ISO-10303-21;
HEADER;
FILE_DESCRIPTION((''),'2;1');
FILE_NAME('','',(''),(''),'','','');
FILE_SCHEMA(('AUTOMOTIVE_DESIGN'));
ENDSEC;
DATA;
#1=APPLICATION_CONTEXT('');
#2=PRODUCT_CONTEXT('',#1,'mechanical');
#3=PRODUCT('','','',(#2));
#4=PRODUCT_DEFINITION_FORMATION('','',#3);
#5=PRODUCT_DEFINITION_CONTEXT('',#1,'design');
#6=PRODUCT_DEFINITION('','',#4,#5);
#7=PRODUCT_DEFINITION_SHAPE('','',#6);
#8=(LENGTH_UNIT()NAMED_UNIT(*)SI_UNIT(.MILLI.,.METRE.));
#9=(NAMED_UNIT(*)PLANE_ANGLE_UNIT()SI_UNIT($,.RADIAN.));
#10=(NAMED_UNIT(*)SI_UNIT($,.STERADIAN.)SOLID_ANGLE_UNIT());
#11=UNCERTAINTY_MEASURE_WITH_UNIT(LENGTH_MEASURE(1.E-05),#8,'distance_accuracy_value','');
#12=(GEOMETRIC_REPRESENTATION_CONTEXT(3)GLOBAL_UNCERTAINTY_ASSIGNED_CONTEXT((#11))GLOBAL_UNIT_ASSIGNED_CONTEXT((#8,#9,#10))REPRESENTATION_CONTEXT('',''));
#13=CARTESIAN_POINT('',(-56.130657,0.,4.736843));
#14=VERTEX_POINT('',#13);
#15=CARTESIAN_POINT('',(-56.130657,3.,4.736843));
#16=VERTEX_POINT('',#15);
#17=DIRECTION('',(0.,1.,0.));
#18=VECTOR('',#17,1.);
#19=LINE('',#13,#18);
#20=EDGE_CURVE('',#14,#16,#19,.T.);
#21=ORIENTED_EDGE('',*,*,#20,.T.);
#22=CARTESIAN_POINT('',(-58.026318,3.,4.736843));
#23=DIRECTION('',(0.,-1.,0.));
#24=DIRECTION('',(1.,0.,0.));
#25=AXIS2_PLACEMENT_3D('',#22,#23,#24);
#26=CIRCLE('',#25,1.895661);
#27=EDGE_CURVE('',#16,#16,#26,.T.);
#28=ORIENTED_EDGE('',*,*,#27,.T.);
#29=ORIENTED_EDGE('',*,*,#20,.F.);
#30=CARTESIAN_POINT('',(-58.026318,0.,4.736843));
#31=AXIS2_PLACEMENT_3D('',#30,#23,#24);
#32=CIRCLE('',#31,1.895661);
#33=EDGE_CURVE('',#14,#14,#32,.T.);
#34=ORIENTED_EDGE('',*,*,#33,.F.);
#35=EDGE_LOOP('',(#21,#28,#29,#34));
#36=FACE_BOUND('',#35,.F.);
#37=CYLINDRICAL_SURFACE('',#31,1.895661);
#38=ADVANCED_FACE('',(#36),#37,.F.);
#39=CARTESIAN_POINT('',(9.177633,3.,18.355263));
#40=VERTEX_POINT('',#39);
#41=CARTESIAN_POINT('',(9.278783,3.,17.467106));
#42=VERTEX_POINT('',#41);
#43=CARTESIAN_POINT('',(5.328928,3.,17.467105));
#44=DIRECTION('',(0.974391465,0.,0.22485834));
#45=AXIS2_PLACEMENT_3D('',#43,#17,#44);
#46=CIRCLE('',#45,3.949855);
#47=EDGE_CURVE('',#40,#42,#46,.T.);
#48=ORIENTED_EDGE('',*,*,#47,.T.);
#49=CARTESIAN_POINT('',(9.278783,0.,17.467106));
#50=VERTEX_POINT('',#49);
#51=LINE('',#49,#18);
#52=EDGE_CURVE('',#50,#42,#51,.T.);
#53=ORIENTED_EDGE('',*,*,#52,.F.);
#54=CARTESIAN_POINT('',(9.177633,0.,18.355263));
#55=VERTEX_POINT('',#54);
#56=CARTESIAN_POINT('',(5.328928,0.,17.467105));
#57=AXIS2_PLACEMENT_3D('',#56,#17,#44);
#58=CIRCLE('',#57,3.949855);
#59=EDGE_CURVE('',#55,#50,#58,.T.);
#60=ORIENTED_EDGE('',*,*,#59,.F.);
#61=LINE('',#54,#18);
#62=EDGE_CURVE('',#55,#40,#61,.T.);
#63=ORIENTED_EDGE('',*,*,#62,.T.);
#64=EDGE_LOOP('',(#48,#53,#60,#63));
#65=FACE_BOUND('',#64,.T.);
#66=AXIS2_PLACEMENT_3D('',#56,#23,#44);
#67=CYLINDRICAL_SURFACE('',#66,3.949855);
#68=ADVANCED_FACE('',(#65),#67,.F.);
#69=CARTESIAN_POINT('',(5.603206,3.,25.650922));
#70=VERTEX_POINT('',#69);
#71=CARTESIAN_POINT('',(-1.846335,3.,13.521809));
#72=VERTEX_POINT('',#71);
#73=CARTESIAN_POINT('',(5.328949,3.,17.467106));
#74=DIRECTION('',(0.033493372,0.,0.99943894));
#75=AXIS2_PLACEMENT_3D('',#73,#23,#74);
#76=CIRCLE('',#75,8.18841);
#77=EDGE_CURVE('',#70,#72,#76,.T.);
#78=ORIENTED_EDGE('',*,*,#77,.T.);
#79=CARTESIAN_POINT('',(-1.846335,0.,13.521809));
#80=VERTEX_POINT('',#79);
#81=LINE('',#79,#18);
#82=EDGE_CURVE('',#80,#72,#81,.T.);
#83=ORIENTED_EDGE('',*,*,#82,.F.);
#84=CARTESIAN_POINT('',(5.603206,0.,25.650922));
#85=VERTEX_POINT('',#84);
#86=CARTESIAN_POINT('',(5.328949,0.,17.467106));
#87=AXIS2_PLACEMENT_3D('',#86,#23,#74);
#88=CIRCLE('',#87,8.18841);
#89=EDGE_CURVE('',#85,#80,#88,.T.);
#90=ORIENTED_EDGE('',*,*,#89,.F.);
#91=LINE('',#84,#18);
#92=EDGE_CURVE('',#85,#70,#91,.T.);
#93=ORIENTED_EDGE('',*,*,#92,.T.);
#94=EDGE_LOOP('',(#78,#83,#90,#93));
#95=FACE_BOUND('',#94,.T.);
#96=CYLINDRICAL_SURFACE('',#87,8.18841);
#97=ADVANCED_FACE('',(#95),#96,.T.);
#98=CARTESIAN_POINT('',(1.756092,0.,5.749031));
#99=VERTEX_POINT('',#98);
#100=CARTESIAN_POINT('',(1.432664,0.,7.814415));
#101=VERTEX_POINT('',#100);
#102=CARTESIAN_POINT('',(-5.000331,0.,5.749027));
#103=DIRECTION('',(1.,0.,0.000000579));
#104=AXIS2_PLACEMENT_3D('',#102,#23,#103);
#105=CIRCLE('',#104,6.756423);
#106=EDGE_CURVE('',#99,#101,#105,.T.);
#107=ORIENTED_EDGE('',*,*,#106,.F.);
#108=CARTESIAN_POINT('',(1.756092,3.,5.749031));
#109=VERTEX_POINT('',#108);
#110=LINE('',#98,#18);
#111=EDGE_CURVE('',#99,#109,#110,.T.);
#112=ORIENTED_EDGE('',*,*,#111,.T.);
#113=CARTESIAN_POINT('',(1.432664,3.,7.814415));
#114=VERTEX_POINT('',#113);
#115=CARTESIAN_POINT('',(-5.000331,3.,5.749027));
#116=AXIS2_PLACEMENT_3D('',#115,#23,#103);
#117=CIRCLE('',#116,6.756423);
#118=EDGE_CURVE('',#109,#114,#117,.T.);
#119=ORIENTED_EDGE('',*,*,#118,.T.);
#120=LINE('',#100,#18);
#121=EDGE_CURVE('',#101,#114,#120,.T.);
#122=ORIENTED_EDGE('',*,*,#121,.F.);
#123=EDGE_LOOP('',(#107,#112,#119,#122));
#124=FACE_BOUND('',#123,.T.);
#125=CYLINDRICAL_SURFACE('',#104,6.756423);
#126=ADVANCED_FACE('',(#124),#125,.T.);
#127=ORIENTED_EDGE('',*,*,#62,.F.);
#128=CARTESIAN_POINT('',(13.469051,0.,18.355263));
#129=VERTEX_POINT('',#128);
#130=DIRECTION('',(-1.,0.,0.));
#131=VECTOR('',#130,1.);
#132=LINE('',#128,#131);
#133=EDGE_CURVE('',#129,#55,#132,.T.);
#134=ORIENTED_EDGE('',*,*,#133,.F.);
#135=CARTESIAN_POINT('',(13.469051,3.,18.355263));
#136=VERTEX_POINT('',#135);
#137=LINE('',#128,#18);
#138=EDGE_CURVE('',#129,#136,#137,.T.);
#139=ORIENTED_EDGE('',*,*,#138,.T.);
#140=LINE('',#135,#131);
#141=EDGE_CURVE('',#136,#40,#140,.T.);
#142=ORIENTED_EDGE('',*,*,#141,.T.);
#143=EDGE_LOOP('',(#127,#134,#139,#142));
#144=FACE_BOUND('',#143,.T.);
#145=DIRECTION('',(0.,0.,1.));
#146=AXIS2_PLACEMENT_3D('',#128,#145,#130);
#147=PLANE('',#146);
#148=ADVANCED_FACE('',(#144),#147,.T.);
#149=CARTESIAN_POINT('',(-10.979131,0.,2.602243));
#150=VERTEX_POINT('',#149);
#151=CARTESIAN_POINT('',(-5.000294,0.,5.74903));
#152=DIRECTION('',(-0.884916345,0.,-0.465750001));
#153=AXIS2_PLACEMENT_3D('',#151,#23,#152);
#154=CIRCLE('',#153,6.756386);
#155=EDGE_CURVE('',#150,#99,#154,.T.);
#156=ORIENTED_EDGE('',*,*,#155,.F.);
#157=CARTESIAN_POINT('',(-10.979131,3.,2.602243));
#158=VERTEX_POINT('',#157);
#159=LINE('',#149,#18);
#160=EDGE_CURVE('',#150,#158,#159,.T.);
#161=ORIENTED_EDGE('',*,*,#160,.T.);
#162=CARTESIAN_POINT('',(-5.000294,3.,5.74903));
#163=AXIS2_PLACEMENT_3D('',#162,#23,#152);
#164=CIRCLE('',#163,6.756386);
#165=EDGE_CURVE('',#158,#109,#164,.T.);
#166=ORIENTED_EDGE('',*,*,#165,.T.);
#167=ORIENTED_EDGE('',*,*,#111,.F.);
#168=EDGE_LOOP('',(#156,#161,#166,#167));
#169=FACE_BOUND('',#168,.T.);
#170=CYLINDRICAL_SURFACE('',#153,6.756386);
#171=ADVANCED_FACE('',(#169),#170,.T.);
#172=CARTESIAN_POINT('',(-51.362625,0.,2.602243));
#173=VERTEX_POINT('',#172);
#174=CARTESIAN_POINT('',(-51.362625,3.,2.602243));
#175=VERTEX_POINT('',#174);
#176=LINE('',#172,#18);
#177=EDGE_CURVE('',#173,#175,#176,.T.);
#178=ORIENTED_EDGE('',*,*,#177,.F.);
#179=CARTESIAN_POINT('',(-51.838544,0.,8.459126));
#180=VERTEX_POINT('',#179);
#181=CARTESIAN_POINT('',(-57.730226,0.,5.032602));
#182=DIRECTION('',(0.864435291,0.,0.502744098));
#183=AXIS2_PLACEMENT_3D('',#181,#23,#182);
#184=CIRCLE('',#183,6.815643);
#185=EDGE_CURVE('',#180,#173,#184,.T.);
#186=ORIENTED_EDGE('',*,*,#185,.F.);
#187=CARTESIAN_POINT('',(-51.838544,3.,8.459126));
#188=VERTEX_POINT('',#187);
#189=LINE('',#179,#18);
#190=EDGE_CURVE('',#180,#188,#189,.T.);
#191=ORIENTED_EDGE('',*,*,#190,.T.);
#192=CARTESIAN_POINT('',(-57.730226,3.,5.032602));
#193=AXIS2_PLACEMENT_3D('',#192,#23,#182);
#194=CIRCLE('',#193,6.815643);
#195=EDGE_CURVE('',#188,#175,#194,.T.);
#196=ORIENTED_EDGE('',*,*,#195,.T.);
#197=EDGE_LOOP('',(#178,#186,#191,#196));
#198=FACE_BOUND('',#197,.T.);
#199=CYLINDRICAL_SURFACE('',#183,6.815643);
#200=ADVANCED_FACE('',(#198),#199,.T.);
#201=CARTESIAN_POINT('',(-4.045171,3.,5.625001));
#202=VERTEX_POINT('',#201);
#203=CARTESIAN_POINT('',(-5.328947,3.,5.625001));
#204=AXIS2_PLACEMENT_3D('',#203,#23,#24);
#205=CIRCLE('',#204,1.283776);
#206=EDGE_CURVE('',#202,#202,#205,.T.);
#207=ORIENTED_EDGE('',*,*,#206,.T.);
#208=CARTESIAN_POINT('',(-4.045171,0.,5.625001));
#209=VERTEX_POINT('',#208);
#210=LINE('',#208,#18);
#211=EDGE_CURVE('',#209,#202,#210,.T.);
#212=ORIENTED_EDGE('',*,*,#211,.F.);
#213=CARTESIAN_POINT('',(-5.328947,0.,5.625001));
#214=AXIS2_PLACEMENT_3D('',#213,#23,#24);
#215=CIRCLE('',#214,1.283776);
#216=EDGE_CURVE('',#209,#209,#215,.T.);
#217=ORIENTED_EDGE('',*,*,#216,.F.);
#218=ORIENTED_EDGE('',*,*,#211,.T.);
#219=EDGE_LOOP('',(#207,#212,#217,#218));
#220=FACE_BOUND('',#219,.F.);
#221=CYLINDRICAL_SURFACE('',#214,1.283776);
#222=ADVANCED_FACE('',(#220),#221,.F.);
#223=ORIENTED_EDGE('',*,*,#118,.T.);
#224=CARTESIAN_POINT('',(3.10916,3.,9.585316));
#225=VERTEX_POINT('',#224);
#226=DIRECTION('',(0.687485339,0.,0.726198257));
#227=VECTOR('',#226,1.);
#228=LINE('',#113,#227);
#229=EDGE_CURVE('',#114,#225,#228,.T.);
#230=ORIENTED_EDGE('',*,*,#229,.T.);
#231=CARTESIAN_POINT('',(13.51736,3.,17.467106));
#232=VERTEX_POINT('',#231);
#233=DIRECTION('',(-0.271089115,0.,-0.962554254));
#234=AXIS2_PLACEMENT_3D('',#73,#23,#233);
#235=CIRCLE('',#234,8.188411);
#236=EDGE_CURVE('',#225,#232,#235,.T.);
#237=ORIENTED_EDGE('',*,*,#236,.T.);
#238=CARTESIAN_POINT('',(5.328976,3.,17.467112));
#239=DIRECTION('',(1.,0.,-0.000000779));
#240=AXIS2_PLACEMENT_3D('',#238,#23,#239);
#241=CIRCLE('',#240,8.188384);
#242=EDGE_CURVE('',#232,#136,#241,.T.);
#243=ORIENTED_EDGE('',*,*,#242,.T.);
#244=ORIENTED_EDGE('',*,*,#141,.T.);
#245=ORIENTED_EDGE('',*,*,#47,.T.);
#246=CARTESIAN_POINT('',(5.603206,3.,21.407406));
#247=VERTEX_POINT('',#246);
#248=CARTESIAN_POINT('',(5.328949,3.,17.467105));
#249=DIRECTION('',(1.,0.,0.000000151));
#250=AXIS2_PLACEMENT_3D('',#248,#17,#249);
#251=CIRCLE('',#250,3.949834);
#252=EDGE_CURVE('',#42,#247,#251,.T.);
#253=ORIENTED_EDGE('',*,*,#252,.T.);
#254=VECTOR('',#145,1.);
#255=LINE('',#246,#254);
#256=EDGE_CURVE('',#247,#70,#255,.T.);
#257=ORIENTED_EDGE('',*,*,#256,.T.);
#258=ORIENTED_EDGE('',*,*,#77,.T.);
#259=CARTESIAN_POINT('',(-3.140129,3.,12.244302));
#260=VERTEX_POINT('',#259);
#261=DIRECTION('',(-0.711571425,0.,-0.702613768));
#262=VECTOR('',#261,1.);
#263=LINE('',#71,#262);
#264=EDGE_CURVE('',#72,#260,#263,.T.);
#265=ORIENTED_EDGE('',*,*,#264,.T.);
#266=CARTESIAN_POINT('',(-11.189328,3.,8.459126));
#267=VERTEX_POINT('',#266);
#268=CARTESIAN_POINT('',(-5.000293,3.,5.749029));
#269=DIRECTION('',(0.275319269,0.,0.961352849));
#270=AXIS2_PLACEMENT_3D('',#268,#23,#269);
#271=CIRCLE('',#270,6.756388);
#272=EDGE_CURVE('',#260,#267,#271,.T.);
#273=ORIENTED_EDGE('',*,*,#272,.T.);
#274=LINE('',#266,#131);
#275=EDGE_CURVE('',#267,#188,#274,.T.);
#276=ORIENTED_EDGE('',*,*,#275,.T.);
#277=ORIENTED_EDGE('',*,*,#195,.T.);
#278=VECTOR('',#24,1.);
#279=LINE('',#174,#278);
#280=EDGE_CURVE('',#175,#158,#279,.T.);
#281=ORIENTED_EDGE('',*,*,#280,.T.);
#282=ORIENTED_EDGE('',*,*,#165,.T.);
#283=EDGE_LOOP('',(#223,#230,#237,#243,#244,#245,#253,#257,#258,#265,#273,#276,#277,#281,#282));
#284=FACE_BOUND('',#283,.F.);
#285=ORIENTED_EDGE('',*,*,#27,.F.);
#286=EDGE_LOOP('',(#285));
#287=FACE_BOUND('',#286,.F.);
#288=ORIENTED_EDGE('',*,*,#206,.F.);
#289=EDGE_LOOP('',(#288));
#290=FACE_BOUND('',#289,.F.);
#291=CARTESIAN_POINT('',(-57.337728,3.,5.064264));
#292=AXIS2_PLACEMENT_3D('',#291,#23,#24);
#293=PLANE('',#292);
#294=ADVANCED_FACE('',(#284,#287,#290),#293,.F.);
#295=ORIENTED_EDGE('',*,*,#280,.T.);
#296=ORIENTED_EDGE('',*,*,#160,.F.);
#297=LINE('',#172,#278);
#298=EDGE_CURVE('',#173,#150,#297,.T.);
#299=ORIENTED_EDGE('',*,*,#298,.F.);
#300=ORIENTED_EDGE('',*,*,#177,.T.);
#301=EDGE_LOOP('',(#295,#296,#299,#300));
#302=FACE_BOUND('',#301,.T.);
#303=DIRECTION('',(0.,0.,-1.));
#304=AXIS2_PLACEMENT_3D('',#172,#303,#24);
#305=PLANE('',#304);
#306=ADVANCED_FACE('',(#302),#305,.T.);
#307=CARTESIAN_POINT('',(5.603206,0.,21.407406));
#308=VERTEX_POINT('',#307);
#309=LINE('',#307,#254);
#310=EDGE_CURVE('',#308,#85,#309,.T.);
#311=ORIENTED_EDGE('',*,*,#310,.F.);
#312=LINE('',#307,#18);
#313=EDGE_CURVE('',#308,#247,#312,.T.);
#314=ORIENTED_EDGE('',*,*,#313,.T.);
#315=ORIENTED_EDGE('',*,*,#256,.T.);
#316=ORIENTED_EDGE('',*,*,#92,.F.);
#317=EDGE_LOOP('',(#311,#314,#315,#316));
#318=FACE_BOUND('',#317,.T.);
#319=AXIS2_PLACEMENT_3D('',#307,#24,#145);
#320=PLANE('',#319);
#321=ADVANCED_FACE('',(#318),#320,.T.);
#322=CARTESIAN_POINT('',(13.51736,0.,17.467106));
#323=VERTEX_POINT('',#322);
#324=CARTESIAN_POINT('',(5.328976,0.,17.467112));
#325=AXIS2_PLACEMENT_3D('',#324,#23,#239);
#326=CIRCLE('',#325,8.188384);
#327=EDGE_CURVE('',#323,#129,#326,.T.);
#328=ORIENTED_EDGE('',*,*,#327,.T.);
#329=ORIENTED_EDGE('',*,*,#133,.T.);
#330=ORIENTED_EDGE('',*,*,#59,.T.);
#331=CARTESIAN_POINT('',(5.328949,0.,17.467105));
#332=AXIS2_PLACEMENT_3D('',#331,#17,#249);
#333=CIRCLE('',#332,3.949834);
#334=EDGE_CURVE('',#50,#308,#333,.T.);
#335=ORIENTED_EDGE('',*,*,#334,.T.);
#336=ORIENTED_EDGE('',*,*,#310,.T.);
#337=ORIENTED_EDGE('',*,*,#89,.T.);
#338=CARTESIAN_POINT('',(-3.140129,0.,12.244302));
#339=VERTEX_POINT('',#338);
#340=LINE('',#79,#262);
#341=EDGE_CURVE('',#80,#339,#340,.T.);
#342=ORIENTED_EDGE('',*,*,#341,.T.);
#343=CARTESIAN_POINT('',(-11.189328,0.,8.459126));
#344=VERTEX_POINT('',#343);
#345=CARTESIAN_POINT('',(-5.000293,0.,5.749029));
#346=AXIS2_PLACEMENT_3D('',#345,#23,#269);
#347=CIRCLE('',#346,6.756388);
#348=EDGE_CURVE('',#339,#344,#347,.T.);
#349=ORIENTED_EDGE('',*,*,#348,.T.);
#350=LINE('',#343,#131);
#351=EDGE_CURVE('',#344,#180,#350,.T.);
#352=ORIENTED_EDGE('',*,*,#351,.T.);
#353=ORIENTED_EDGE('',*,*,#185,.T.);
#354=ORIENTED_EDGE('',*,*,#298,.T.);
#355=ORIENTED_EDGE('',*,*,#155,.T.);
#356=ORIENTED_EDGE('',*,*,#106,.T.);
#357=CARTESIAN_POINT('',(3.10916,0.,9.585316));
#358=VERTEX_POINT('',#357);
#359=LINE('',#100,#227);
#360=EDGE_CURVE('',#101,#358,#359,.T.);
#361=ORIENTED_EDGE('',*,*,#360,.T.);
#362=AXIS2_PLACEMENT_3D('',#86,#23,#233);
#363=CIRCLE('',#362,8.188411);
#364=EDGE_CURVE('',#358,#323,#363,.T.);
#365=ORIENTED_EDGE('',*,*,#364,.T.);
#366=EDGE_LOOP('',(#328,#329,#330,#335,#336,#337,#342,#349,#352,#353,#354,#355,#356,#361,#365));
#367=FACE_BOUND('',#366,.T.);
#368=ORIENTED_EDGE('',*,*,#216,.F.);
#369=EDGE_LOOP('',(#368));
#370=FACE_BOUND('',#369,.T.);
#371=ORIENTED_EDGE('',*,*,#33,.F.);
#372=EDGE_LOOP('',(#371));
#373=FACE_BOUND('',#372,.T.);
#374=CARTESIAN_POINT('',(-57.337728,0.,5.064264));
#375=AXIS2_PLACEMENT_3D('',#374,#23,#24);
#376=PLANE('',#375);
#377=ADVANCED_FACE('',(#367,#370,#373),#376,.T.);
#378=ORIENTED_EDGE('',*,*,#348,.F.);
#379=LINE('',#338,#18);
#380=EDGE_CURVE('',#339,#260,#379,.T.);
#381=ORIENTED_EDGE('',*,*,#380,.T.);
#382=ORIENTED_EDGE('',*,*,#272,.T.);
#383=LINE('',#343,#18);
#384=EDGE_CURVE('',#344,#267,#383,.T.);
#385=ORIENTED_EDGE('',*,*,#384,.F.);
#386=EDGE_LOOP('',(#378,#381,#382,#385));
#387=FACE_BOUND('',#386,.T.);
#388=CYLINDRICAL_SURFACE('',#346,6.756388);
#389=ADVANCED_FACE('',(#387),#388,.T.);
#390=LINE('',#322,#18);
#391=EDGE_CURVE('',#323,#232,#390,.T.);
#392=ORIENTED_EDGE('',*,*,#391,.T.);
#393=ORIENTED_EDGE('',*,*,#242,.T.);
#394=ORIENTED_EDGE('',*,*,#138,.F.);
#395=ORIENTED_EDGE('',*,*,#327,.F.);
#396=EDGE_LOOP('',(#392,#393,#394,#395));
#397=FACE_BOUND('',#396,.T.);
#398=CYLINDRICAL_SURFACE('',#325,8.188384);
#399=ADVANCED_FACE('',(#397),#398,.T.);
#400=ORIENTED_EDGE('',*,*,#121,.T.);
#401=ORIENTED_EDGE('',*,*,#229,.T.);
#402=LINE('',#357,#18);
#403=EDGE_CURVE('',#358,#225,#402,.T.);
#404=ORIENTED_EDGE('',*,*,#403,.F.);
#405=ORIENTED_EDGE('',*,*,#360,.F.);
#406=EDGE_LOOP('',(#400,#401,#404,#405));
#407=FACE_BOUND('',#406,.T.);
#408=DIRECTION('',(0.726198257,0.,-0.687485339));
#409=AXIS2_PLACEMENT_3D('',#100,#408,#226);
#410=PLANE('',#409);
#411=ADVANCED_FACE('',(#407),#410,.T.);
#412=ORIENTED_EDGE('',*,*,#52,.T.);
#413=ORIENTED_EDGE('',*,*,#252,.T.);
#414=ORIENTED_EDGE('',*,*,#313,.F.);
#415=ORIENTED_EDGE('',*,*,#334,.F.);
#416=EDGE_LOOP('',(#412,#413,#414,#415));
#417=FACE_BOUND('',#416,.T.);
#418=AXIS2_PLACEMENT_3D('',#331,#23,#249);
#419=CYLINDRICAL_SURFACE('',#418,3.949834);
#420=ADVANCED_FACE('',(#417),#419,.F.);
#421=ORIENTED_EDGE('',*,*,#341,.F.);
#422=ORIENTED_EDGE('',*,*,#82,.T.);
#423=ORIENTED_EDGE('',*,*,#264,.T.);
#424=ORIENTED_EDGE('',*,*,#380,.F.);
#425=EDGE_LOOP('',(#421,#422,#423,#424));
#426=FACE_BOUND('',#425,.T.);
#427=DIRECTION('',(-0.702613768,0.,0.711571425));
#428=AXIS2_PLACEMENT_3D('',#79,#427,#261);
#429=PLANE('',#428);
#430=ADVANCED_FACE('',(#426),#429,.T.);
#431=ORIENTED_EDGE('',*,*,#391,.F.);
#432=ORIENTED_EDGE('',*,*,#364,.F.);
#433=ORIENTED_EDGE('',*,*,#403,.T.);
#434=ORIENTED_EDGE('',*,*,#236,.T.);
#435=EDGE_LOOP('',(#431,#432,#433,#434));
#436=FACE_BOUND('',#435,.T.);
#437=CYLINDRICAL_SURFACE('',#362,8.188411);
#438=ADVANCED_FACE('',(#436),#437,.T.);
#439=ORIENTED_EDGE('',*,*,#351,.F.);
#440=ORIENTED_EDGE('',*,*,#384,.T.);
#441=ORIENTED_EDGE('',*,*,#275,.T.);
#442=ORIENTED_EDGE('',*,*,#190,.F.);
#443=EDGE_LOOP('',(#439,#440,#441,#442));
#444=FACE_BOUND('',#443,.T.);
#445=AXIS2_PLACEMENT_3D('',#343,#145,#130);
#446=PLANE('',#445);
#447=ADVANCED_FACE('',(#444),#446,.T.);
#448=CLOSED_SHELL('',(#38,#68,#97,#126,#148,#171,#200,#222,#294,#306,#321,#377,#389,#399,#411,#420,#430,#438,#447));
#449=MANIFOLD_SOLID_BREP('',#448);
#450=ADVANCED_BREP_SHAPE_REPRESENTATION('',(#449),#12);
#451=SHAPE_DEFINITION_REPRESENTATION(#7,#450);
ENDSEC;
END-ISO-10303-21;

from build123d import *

# Parameters (mm, degrees)
F1_DEPTH = 3
F2_R     = 1.283776
F2_R_2   = 1.895661
F3_DEPTH = 25


with BuildPart() as f1:
    # F0 (on Front) → F1 (new body)
    with BuildSketch(Plane.XZ):
        with BuildLine():
            ThreePointArc((-51.838544, 8.459126), (-64.523479, 4.480595), (-51.362625, 2.602243))
            ThreePointArc((-51.362625, 2.602243), (-51.02753, 3.796946), (-50.914583, 5.032602))
            ThreePointArc((-50.914583, 5.032602), (-51.149626, 6.807057), (-51.838544, 8.459126))
        make_face()
        with BuildLine():
            ThreePointArc((-10.979131, 2.602243), (-3.37958, -0.810089), (1.756092, 5.749031))
            ThreePointArc((1.756092, 5.749031), (1.674745, 6.794308), (1.432664, 7.814415))
            ThreePointArc((1.432664, 7.814415), (-0.299236, 10.601743), (-3.140129, 12.244302))
            ThreePointArc((-3.140129, 12.244302), (-7.875475, 11.86312), (-11.189328, 8.459126))
            ThreePointArc((-11.189328, 8.459126), (-11.752334, 5.506707), (-10.979131, 2.602243))
        make_face()
        with BuildLine():
            Line((-51.362625, 2.602243), (-10.979131, 2.602243))
            ThreePointArc((-10.979131, 2.602243), (-11.752334, 5.506707), (-11.189328, 8.459126))
            Line((-11.189328, 8.459126), (-51.838544, 8.459126))
            ThreePointArc((-51.838544, 8.459126), (-51.149626, 6.807057), (-50.914583, 5.032602))
            ThreePointArc((-50.914583, 5.032602), (-51.02753, 3.796946), (-51.362625, 2.602243))
        make_face()
        with BuildLine():
            ThreePointArc((-3.140129, 12.244302), (-0.299236, 10.601743), (1.432664, 7.814415))
            Line((1.432664, 7.814415), (3.10916, 9.585316))
            ThreePointArc((3.10916, 9.585316), (0.235734, 11.055458), (-1.846335, 13.521809))
            Line((-1.846335, 13.521809), (-3.140129, 12.244302))
        make_face()
        with BuildLine():
            ThreePointArc((-1.846335, 13.521809), (0.235734, 11.055458), (3.10916, 9.585316))
            ThreePointArc((3.10916, 9.585316), (10.272305, 10.939219), (13.51736, 17.467106))
            ThreePointArc((13.51736, 17.467106), (13.505274, 17.911841), (13.469051, 18.355263))
            Line((13.469051, 18.355263), (9.177633, 18.355263))
            ThreePointArc((9.177633, 18.355263), (9.253414, 17.914055), (9.278783, 17.467106))
            ThreePointArc((9.278783, 17.467106), (2.440658, 14.77286), (5.603206, 21.407406))
            Line((5.603206, 21.407406), (5.603206, 25.650922))
            ThreePointArc((5.603206, 25.650922), (-1.648507, 21.752567), (-1.846335, 13.521809))
        make_face()
    extrude(amount=-F1_DEPTH)

    # F2 (on Front) → F3 (cut)
    with BuildSketch(Plane.XZ):
        with Locations((-5.328947, 5.625001)):
            Circle(F2_R)
        with Locations((-58.026318, 4.736843)):
            Circle(F2_R_2)
    extrude(amount=-F3_DEPTH, mode=Mode.SUBTRACT)


solid = f1.part
